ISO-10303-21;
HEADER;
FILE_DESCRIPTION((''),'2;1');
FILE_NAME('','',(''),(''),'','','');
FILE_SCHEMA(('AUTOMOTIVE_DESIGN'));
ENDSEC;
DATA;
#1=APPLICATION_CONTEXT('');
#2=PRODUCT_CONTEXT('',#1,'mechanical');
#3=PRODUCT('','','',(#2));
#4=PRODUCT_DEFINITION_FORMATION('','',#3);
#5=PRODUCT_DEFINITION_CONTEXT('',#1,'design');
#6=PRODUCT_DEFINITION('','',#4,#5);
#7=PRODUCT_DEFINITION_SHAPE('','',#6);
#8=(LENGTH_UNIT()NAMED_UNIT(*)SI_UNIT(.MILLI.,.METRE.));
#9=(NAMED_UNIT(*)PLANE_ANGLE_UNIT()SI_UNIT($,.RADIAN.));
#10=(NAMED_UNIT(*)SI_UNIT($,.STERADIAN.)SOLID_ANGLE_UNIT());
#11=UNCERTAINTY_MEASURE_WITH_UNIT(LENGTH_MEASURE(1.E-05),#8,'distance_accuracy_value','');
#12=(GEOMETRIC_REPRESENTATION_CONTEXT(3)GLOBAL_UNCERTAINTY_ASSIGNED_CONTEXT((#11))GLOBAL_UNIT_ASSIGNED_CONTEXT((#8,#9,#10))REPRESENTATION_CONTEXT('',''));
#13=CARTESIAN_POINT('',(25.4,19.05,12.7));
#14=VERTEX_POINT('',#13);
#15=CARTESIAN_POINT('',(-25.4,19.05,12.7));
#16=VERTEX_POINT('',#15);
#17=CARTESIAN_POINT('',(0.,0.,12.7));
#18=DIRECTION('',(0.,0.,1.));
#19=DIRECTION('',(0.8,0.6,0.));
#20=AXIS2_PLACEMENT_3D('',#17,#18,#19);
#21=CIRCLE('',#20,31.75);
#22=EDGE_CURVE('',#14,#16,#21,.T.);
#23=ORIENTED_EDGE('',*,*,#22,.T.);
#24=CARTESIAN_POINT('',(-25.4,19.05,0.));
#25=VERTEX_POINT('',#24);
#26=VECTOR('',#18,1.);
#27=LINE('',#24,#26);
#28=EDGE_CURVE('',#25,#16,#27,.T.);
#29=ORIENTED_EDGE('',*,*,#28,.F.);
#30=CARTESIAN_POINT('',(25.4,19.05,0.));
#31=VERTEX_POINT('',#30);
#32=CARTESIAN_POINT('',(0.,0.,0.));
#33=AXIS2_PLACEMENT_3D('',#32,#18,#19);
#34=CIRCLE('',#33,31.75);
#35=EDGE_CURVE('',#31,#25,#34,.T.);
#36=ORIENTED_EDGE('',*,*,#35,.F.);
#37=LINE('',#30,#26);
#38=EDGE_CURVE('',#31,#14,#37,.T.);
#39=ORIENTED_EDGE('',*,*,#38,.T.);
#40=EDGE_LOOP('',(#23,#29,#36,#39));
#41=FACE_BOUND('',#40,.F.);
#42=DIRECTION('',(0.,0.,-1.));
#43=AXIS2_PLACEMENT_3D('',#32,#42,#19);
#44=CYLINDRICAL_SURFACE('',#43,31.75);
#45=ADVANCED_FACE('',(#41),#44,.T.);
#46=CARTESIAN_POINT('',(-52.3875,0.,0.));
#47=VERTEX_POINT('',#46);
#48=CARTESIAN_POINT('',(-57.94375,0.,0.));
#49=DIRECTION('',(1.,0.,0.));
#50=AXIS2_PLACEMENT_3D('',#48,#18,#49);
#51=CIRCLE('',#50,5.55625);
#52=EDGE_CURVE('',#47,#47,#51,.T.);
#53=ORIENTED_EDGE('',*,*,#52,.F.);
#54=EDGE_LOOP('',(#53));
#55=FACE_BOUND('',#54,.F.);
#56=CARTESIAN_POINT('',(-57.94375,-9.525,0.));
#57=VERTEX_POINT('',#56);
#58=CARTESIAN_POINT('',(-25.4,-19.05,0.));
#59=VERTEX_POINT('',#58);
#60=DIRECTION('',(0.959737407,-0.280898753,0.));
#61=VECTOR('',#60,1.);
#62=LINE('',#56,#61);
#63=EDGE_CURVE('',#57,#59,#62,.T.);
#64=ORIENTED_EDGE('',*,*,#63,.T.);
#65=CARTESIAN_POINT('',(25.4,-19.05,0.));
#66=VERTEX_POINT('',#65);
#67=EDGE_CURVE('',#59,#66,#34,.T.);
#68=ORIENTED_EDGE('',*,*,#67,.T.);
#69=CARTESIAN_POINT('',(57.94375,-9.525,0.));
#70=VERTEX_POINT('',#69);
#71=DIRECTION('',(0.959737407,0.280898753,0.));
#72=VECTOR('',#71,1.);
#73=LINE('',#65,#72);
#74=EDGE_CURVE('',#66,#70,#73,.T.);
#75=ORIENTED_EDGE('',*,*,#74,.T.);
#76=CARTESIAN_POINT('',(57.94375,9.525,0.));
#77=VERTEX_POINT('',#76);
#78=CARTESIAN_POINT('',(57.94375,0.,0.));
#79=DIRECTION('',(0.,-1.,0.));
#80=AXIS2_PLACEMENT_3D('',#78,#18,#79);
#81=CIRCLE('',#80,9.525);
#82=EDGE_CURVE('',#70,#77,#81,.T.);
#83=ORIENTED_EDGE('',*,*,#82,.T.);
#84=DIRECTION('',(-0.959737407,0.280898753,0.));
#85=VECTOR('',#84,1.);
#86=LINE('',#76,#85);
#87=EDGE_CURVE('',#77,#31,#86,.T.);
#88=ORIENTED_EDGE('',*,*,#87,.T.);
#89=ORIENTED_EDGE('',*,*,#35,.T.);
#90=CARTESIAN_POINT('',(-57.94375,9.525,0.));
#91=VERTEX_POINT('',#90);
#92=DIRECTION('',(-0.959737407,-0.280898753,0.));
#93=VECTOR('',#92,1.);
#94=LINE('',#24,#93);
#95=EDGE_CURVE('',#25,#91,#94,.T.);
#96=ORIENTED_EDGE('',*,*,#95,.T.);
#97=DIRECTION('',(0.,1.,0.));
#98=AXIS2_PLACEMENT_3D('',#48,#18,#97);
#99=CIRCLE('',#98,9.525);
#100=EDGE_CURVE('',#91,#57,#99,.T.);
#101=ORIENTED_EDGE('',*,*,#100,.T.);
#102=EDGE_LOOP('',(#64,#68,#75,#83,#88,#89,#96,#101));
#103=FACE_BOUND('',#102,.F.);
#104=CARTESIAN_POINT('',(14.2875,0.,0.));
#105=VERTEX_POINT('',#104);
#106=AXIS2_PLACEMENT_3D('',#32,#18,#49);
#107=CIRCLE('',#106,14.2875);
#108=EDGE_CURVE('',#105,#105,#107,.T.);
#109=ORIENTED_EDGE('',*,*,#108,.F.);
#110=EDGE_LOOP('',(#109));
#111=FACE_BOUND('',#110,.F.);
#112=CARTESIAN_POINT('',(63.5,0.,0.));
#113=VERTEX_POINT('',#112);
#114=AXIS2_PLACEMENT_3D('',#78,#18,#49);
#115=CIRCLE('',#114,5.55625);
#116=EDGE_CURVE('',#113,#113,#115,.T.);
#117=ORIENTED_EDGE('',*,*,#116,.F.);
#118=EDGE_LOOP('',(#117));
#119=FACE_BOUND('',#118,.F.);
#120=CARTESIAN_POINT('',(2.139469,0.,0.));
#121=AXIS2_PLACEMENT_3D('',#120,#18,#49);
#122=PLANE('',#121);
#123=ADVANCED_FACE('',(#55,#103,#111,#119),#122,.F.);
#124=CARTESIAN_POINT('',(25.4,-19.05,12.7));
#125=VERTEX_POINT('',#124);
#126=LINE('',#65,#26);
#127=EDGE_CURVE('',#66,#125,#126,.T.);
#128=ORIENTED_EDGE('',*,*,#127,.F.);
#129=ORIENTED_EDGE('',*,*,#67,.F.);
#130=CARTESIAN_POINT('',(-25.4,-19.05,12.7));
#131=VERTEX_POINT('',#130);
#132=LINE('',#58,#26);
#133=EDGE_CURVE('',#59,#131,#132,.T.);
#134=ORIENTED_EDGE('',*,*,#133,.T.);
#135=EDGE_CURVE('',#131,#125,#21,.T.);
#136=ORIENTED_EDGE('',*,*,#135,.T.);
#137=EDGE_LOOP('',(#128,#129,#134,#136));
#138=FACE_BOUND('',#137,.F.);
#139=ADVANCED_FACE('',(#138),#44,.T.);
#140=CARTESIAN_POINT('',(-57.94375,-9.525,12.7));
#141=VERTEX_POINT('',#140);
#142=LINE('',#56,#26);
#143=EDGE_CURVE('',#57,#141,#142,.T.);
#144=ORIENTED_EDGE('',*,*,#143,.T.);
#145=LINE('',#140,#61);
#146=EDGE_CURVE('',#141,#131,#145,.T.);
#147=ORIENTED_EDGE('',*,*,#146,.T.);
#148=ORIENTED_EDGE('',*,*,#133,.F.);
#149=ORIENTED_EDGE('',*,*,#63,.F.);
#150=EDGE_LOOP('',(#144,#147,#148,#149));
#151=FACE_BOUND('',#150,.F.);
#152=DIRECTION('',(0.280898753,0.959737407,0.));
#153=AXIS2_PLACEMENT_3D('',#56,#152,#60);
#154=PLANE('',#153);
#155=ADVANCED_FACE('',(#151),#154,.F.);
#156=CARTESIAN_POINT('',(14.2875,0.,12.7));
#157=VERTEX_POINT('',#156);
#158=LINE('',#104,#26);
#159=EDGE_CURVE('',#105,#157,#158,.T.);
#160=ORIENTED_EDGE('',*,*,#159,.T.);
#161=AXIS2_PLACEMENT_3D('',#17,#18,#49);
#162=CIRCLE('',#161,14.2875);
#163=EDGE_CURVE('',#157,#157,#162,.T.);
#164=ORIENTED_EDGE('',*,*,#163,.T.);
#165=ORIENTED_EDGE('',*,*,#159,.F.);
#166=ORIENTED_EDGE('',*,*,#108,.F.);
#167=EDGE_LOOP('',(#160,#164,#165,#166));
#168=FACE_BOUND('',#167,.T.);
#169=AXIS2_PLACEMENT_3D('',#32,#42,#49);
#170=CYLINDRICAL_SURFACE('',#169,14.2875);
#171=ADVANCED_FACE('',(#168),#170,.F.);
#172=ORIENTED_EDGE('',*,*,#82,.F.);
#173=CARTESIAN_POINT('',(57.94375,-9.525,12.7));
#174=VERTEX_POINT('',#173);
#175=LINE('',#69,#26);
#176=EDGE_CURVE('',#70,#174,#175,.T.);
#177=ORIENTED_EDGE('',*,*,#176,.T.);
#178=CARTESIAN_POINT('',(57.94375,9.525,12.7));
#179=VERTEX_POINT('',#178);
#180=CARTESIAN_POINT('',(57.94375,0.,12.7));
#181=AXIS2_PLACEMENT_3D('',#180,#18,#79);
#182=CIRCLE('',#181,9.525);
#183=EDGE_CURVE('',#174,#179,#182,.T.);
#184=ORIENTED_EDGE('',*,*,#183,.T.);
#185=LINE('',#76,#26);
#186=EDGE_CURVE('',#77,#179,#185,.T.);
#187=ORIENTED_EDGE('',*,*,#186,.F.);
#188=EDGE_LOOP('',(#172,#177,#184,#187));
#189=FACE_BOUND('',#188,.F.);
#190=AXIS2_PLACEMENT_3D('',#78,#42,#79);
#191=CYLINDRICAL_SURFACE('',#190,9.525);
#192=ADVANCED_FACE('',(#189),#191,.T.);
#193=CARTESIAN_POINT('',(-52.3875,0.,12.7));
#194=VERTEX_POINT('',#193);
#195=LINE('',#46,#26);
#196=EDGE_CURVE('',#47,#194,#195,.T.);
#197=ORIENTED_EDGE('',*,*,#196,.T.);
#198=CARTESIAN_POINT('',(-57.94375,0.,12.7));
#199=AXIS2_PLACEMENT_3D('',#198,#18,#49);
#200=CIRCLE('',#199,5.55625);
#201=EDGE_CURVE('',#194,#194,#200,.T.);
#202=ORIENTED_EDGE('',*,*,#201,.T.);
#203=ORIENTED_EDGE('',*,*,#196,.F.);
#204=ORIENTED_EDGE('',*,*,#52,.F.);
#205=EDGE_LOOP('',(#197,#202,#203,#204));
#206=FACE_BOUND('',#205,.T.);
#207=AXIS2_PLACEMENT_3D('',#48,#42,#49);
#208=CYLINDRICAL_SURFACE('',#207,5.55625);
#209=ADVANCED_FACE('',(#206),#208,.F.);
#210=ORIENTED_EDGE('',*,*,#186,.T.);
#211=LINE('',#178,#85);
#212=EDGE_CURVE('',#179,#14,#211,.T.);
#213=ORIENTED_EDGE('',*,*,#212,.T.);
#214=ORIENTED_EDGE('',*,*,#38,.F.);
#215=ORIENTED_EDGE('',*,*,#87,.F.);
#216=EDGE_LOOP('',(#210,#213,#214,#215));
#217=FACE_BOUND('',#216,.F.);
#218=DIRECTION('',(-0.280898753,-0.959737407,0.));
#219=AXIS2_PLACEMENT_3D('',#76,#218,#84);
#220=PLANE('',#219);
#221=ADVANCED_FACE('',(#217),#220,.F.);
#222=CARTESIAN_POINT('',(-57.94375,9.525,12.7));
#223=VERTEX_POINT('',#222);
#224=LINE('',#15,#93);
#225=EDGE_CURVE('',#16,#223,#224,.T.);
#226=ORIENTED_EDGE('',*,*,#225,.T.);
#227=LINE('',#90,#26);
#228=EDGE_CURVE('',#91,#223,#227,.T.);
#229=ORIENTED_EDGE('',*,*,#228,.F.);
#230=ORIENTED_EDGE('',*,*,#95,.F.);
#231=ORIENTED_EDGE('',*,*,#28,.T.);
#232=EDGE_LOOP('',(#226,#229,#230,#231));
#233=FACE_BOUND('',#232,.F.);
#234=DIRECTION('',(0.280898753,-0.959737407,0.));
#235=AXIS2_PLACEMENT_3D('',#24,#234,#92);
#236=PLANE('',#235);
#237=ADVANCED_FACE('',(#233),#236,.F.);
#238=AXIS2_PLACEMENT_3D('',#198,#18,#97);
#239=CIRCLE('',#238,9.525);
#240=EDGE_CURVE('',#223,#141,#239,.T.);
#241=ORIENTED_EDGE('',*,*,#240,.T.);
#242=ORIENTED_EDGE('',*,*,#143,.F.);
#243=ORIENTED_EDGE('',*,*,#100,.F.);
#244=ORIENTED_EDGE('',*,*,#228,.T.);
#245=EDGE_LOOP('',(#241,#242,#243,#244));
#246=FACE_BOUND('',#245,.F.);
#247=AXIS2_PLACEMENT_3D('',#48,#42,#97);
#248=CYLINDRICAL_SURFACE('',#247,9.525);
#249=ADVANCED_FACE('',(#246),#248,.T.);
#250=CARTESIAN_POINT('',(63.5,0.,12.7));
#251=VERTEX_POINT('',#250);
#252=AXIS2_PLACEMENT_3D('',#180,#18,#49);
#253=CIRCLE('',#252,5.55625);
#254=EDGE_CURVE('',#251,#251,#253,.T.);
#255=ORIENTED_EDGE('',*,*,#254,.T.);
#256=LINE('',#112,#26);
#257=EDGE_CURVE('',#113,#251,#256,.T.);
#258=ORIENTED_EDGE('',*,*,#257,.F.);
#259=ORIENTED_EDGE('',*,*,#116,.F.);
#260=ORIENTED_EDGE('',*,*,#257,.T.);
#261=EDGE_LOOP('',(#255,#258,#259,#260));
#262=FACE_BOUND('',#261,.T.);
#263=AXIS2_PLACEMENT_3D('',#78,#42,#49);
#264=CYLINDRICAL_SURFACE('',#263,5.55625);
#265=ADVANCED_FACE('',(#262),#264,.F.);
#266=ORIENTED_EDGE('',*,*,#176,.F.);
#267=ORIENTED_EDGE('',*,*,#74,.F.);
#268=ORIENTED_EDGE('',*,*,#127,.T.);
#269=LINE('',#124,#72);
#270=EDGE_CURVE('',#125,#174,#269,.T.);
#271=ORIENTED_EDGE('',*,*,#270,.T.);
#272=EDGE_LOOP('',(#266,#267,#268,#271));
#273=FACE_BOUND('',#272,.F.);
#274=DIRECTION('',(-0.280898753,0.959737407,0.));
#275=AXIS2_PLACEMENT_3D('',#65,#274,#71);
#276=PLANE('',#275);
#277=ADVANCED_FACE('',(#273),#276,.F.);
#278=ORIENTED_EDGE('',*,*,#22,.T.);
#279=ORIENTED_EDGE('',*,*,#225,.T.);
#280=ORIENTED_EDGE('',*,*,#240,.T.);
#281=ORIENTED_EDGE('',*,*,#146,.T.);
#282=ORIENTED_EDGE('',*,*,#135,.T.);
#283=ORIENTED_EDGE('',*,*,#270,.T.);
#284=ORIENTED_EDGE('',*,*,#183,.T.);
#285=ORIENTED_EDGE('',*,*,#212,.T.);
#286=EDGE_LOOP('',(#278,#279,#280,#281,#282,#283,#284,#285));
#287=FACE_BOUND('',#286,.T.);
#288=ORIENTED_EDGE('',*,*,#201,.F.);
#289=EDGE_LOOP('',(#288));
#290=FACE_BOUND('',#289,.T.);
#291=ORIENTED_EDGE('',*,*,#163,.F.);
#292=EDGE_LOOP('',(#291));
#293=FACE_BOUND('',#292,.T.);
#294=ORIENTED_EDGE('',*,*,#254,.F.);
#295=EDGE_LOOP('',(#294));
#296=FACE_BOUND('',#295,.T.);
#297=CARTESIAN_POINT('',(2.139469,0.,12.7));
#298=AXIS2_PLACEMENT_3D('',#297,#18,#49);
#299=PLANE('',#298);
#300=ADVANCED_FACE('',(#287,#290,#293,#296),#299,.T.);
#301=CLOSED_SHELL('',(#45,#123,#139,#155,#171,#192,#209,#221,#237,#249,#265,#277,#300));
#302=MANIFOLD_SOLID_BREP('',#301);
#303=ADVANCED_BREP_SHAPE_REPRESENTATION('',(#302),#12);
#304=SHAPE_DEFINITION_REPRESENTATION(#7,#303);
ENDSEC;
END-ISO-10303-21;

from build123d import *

# Parameters (mm, degrees)
F0_R     = 14.2875
F0_R_2   = 5.55625
F1_DEPTH = 12.7


with BuildPart() as f1:
    # F0 (on Top) → F1 (new body)
    with BuildSketch(Plane.XY):
        with BuildLine():
            ThreePointArc((25.4, -19.05), (30.120695, -10.040232), (31.75, 0))
            ThreePointArc((31.75, 0), (30.120695, 10.040232), (25.4, 19.05))
            ThreePointArc((25.4, 19.05), (0, 31.75), (-25.4, 19.05))
            ThreePointArc((-25.4, 19.05), (-31.75, 0), (-25.4, -19.05))
            ThreePointArc((-25.4, -19.05), (0, -31.75), (25.4, -19.05))
        make_face()
        Circle(F0_R, mode=Mode.SUBTRACT)
        with BuildLine():
            ThreePointArc((-25.4, -19.05), (-31.75, 0), (-25.4, 19.05))
            Line((-25.4, 19.05), (-57.94375, 9.525))
            ThreePointArc((-57.94375, 9.525), (-67.46875, 0), (-57.94375, -9.525))
            Line((-57.94375, -9.525), (-25.4, -19.05))
        make_face()
        with Locations((-57.94375, 0)):
            Circle(F0_R_2, mode=Mode.SUBTRACT)
        with BuildLine():
            ThreePointArc((25.4, 19.05), (30.120695, 10.040232), (31.75, 0))
            ThreePointArc((31.75, 0), (30.120695, -10.040232), (25.4, -19.05))
            Line((25.4, -19.05), (57.94375, -9.525))
            ThreePointArc((57.94375, -9.525), (67.46875, 0), (57.94375, 9.525))
            Line((57.94375, 9.525), (25.4, 19.05))
        make_face()
        with Locations((57.94375, 0)):
            Circle(F0_R_2, mode=Mode.SUBTRACT)
    extrude(amount=F1_DEPTH)


solid = f1.part
